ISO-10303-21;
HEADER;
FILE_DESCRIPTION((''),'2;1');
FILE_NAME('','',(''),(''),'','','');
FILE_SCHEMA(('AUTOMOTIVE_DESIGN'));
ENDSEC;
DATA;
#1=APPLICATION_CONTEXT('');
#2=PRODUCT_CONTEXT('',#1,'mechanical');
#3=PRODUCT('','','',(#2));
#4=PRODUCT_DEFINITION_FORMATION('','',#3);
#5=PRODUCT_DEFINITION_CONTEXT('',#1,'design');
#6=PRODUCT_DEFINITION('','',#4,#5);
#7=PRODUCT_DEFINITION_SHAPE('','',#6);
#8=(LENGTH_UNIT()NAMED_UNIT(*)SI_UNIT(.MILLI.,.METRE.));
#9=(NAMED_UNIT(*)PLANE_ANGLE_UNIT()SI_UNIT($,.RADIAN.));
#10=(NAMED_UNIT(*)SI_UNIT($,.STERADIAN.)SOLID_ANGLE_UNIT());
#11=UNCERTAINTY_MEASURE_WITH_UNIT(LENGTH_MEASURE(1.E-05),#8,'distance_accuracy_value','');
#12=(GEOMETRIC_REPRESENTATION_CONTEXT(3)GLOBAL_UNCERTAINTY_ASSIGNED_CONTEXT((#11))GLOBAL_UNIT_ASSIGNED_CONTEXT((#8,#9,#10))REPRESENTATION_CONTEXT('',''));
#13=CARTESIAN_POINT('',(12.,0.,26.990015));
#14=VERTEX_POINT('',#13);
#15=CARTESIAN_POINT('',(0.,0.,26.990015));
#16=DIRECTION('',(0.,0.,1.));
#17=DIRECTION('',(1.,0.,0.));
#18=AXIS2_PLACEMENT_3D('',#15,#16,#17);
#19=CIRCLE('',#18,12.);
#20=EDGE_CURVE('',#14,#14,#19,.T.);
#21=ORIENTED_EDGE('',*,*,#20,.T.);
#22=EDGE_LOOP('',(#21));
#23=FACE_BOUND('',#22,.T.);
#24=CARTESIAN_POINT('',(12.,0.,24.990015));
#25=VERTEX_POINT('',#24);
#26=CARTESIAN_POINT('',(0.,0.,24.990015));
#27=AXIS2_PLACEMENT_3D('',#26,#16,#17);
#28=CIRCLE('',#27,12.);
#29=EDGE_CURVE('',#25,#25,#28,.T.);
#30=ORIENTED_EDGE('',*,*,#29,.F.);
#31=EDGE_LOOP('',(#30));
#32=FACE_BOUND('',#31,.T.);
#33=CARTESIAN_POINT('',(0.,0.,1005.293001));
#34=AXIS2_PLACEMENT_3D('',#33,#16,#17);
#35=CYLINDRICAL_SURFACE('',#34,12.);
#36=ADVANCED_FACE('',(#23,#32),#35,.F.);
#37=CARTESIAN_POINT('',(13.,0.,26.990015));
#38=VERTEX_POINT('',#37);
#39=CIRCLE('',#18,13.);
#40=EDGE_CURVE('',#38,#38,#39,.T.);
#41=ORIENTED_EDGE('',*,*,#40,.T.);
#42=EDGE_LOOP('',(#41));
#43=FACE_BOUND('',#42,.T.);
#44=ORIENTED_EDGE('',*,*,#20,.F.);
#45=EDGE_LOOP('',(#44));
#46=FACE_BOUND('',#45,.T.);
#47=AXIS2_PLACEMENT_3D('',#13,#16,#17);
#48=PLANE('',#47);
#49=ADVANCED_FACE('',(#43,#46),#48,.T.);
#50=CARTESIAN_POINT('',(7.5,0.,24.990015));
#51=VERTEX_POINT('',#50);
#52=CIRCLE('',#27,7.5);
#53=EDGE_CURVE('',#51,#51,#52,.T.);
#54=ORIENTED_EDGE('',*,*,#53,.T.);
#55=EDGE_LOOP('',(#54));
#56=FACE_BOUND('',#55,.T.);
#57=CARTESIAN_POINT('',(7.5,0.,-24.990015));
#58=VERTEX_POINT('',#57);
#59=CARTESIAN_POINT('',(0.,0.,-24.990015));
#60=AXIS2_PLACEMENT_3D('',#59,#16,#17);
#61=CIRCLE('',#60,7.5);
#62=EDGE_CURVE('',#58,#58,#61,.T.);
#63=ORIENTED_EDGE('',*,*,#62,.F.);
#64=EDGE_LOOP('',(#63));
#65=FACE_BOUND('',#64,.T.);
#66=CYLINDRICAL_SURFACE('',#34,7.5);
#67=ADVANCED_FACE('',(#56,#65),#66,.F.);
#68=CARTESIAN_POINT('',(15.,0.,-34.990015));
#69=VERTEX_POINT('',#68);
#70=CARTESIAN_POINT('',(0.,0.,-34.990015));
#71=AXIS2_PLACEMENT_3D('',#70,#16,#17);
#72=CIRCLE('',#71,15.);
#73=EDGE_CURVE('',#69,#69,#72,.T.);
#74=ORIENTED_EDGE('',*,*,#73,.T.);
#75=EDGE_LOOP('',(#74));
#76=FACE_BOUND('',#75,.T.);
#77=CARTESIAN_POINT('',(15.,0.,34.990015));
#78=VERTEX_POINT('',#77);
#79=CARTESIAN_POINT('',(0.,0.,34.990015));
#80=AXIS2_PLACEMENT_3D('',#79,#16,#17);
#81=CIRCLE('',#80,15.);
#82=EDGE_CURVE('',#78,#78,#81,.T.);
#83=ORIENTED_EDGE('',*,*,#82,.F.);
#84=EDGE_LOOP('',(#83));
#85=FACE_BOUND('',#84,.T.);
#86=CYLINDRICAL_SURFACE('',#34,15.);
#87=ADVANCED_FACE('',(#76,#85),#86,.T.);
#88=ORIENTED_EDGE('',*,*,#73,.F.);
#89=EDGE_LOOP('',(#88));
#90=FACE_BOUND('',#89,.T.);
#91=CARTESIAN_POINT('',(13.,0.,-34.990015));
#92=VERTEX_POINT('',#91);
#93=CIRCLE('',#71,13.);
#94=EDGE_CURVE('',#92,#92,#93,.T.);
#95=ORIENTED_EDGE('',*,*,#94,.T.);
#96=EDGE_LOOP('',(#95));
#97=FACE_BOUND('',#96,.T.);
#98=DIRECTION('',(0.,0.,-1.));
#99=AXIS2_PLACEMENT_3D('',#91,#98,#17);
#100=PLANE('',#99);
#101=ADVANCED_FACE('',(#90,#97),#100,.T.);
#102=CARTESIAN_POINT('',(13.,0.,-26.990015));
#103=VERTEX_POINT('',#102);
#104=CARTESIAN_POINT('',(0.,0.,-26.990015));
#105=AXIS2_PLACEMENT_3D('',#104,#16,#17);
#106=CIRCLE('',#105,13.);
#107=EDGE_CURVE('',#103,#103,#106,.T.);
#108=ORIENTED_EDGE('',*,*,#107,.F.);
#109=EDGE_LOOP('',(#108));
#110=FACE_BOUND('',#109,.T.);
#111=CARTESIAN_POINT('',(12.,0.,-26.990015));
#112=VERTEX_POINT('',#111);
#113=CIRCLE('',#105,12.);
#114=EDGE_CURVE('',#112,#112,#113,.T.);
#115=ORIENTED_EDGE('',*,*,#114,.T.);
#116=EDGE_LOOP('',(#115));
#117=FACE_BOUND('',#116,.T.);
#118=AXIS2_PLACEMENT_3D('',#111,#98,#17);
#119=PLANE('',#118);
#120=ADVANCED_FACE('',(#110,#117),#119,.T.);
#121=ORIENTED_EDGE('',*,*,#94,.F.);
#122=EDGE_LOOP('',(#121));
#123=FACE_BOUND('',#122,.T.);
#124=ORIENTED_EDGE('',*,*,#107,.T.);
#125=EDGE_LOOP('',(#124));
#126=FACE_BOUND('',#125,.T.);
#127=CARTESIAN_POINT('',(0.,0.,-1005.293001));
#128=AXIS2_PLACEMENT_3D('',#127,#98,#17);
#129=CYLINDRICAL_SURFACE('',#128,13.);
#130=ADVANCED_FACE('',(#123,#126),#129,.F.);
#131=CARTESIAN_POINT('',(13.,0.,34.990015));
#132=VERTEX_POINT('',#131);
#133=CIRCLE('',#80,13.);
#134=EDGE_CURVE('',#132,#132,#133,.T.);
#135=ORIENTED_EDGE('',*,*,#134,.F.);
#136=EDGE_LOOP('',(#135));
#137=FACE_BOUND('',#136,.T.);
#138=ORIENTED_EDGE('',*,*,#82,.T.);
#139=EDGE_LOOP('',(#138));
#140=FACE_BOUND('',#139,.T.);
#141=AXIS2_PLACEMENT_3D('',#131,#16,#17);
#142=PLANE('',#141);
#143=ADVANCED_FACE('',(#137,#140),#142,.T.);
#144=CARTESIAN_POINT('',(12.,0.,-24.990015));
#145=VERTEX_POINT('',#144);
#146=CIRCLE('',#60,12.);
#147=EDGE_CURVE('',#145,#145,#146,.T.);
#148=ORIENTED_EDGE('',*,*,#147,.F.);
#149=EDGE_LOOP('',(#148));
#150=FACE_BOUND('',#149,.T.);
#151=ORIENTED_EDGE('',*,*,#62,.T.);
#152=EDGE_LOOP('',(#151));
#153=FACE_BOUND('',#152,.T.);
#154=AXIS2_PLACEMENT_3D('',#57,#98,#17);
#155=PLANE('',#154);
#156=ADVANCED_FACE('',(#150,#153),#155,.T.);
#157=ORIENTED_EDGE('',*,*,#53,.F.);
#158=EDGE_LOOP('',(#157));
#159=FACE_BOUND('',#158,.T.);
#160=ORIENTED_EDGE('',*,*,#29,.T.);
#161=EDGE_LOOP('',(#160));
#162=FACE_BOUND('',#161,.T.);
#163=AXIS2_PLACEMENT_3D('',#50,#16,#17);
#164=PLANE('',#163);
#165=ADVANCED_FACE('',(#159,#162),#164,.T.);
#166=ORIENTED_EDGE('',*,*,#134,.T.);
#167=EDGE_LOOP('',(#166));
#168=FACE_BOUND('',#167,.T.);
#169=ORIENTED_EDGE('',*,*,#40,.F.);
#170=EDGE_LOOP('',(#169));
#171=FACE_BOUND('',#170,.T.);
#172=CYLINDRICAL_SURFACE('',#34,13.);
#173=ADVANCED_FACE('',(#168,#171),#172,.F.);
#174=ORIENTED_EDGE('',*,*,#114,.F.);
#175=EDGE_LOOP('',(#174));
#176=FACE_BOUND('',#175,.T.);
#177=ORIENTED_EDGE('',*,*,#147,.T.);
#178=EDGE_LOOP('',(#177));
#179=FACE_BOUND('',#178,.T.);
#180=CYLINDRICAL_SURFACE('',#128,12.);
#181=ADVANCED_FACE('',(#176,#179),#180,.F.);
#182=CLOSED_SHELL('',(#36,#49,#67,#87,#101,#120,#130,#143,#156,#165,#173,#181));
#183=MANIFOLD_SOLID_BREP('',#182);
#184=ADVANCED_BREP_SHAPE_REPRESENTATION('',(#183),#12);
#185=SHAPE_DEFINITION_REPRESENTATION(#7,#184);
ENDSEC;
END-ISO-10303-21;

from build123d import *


with BuildPart() as part:
    # Эскиз1 → Повернуть1 (revolve)
    with BuildSketch(Plane(origin=(0, 0, 0), x_dir=(1, 0, 0), z_dir=(0, 1, 0))):
        Polygon((15, 0), (7.5, 0), (7.5, -24.990014613), (12, -24.990014613), (12, -26.990014613), (13, -26.990014613), (13, -34.990014613), (15, -34.990014613), align=None)
    revolve(axis=Axis((0, 0, 1005.29300139), (0, 0, -1)))

    # Зеркальное отражение1: part across plane


with BuildPart() as part_1:
    add(part.part)
    add(part.part.mirror(Plane(origin=(15, 0, 0), x_dir=(1, 0, 0), z_dir=(0, 0, -1))))


solid = part_1.part
